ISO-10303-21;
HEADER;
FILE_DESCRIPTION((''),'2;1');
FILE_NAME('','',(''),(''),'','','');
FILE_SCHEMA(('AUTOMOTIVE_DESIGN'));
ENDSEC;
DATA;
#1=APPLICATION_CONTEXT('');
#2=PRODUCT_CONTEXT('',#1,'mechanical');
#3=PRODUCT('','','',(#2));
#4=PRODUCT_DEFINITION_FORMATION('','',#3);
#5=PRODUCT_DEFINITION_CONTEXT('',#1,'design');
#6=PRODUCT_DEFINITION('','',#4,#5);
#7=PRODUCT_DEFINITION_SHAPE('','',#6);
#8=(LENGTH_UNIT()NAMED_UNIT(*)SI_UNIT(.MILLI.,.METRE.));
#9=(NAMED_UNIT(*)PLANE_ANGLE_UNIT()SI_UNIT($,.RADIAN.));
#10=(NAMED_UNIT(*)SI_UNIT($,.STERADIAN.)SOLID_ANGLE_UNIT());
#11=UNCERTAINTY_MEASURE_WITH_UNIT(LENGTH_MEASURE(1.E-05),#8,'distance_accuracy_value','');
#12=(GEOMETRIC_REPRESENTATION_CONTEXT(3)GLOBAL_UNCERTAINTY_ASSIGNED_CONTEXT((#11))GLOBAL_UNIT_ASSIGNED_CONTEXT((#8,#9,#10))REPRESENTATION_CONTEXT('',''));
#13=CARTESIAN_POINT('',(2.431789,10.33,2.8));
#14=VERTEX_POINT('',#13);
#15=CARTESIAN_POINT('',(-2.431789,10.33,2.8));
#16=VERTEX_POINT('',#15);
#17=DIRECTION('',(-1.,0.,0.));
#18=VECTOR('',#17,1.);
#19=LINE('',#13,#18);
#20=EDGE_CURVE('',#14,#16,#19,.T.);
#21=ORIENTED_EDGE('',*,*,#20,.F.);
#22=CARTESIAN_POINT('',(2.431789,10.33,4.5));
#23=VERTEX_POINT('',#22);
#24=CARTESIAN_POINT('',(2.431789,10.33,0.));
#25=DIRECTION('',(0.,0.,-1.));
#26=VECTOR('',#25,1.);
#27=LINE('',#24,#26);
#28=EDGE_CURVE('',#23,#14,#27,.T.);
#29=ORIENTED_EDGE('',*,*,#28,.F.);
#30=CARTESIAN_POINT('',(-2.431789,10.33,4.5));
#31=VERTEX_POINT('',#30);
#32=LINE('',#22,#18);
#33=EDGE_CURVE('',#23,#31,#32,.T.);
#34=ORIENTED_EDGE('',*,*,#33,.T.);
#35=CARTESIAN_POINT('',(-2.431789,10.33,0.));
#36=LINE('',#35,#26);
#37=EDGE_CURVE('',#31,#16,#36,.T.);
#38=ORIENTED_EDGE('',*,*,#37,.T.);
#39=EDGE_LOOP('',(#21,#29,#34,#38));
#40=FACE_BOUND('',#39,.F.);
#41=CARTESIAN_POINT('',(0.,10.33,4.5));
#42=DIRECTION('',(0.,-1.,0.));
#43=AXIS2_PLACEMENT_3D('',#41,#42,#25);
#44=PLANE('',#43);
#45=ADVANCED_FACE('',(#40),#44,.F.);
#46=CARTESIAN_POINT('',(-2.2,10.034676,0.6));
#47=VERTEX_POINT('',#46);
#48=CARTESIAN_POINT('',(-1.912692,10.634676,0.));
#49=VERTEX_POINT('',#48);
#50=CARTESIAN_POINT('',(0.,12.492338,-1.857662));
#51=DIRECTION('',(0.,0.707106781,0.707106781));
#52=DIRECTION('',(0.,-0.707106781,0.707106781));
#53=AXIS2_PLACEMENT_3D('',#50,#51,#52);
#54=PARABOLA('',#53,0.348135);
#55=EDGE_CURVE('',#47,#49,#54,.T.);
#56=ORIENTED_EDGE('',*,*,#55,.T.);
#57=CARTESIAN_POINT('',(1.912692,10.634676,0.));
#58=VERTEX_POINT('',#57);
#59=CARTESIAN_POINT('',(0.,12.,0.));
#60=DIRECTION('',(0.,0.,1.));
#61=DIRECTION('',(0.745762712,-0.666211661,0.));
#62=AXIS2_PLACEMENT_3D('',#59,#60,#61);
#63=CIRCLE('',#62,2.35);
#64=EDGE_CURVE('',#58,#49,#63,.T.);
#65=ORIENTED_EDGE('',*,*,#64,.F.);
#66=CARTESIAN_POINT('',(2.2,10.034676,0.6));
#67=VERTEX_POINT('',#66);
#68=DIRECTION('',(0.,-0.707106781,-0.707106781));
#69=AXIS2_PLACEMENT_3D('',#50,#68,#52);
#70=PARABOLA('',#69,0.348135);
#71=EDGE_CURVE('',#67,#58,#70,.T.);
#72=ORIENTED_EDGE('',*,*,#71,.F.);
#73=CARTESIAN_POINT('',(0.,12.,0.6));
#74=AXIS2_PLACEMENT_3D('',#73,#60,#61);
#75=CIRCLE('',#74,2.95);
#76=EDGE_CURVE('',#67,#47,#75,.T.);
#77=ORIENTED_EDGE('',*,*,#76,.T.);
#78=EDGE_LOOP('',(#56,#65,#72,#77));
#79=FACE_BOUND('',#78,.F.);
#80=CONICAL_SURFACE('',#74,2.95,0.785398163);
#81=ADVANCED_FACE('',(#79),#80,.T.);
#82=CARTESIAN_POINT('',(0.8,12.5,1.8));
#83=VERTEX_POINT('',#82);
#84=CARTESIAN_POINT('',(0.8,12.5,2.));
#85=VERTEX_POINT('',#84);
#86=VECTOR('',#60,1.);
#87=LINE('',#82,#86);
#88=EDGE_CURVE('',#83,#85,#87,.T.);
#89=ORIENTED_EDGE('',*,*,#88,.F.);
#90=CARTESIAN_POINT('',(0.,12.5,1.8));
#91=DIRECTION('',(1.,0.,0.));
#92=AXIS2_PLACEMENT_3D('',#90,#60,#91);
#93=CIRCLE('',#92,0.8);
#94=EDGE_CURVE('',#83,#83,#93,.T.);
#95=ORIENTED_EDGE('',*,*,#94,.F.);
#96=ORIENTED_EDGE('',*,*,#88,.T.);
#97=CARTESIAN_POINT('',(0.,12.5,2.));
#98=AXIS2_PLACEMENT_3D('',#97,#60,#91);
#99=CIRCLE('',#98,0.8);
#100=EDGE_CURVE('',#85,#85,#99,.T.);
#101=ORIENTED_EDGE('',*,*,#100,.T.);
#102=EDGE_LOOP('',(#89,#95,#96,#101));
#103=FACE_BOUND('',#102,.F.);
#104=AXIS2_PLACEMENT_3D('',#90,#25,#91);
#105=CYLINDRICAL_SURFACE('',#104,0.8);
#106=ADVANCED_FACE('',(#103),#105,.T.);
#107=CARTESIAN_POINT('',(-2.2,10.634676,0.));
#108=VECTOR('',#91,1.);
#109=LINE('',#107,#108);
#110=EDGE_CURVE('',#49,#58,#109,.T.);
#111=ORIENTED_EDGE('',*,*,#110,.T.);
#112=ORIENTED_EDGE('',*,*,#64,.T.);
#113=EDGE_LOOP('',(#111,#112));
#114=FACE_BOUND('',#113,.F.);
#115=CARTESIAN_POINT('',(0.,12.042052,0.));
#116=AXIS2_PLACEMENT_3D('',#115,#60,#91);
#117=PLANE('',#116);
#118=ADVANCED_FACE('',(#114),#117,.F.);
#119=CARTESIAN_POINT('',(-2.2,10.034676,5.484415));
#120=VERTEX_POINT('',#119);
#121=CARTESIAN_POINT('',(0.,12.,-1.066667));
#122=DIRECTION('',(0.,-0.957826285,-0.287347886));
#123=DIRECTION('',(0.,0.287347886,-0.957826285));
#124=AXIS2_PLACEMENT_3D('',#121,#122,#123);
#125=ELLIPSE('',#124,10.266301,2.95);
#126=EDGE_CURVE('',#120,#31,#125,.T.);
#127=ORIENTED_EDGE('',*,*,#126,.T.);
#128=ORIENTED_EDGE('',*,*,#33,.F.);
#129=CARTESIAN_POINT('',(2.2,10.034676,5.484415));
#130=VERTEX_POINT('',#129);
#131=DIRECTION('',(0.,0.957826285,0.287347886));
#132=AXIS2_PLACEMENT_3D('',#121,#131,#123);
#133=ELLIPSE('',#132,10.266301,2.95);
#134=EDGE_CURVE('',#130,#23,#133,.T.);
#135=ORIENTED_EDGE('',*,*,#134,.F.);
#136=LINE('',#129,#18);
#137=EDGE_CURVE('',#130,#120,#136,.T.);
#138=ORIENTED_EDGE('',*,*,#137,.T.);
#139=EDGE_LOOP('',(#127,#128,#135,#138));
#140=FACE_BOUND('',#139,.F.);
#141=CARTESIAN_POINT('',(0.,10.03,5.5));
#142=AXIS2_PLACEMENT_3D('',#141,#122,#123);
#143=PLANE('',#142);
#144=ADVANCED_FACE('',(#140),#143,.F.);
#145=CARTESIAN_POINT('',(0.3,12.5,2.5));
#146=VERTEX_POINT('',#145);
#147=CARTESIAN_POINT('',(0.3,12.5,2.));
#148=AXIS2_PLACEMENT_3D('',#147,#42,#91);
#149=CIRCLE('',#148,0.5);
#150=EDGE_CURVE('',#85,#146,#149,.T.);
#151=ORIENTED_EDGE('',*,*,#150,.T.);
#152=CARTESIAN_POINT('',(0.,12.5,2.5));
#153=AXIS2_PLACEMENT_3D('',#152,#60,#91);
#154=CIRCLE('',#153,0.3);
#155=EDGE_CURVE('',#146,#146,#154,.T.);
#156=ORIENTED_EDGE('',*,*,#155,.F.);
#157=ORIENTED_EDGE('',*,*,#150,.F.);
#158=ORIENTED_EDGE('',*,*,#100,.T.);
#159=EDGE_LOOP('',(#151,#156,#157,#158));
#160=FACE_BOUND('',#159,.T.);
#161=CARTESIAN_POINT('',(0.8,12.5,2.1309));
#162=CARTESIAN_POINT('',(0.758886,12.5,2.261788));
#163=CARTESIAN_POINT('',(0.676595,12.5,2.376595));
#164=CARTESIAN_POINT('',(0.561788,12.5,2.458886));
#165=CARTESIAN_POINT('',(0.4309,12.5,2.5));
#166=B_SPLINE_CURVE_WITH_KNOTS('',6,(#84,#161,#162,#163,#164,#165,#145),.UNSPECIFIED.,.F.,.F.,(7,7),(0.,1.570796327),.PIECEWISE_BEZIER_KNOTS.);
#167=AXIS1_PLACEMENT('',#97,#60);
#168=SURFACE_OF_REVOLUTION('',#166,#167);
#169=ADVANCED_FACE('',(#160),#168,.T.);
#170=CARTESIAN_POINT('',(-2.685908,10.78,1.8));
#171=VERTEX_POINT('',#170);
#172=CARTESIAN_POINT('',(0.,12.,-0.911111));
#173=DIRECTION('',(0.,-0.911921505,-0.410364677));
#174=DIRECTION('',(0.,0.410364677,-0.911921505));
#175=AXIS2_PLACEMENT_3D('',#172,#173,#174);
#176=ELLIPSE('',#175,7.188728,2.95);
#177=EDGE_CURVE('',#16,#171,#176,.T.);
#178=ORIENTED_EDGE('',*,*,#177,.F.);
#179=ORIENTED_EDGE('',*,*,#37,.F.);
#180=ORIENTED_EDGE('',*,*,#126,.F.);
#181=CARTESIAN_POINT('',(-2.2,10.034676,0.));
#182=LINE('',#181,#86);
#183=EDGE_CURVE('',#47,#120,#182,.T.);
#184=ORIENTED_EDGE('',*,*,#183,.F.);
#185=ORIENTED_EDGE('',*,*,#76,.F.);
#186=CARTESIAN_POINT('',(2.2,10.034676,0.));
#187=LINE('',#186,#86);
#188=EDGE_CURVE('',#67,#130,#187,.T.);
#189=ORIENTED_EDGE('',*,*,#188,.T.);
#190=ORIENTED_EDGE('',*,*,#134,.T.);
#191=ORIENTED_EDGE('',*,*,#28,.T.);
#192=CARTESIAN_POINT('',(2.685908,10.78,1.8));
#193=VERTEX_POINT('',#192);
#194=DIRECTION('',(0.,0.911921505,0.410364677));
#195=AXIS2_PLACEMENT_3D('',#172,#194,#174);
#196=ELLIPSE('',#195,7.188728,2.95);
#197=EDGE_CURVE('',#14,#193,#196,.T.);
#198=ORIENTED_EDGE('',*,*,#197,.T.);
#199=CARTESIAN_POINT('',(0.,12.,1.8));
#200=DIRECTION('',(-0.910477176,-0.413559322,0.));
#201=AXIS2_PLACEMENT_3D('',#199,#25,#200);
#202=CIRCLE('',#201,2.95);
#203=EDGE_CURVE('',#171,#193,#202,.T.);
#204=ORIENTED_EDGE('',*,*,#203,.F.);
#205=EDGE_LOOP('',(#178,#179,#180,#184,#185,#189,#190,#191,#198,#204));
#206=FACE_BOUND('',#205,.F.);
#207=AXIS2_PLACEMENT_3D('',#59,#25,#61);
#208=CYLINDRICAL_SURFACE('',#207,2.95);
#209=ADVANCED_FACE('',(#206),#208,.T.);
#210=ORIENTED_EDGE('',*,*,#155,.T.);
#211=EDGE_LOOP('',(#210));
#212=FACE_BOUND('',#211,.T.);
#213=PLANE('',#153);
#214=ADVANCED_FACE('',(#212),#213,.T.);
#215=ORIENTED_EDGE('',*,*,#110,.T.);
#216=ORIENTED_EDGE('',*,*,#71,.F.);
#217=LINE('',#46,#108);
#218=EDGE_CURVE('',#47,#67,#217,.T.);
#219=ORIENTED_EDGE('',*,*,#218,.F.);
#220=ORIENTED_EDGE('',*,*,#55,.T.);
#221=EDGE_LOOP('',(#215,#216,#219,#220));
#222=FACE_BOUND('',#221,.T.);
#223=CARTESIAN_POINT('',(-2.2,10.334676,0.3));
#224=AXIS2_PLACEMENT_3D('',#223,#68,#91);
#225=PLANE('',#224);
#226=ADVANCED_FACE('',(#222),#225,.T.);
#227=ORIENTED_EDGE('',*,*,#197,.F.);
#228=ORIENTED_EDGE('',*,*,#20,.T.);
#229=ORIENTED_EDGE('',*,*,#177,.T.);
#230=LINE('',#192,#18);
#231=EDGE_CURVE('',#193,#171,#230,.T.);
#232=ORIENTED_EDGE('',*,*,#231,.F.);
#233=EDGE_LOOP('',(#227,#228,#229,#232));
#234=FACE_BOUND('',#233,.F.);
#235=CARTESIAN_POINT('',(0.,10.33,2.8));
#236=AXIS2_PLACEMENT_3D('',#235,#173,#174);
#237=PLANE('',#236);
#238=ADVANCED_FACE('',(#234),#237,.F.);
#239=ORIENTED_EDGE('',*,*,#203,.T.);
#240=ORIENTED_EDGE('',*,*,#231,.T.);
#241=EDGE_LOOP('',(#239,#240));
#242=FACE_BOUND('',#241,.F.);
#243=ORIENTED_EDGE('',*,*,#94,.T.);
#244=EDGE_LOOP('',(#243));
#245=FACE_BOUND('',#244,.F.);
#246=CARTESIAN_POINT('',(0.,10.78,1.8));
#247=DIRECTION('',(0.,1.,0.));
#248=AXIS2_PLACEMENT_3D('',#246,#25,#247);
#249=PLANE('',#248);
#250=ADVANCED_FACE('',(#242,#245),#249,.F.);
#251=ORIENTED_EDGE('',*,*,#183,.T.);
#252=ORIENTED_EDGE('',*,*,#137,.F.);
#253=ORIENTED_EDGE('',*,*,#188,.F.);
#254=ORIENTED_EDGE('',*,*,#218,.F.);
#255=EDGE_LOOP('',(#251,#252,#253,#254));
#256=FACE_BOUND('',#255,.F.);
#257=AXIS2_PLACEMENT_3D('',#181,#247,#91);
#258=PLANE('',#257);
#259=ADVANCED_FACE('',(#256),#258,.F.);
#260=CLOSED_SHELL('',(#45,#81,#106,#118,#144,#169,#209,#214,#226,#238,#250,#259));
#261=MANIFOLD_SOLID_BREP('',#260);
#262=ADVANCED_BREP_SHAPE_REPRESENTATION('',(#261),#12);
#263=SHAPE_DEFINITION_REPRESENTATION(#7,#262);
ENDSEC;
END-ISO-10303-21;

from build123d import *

# Parameters (mm, degrees)
PAD003_DEPTH         = 5.5
POCKET004_DEPTH      = 2.951
POCKET004_DEPTH_BACK = 2.951
SKETCH013_R          = 0.8
PAD006_DEPTH         = 0.7
FILLET_R             = 0.5
CHAMFER004_SIZE      = 0.6


with BuildPart() as part:
    # Sketch004 → Pad003 (new body)
    with BuildSketch(Plane.XY):
        with BuildLine():
            ThreePointArc((2.2, -1.9653244007), (0, 2.95), (-2.2, -1.9653244007))
            Line((-2.2, -1.9653244007), (2.2, -1.9653244007))
        make_face()
    extrude(amount=PAD003_DEPTH)

    # Sketch014 → Pocket004 (cut, two sides)
    with BuildSketch(Plane.YZ) as pocket004_sk:
        Polygon((-1.97, 5.5), (-1.67, 4.5), (-1.67, 2.8), (-1.22, 1.8), (4, 1.8), (4, 5.5), align=None)
    extrude(amount=-POCKET004_DEPTH, mode=Mode.SUBTRACT)
    extrude(pocket004_sk.sketch, amount=POCKET004_DEPTH_BACK, mode=Mode.SUBTRACT)

    # Sketch013 (on Face7 of Pocket004) → Pad006 (join)
    with BuildSketch(Plane.XY.offset(1.8)):
        with Locations((0, 0.5)):
            Circle(SKETCH013_R)
    extrude(amount=PAD006_DEPTH)

    # Fillet
    fillet_edges = [part.edges().sort_by_distance(p)[0] for p in [
        (-0.8, 0.5, 2.5),
    ]]
    fillet(fillet_edges, radius=FILLET_R)

    # Chamfer004
    chamfer004_edges = [part.edges().sort_by_distance(p)[0] for p in [
        (0, 2.95, 0),
        (0, -1.965324, 0),
    ]]
    chamfer(chamfer004_edges, length=CHAMFER004_SIZE)


with BuildPart() as part_1:
    # Body021 placement: moved
    add(part.part.moved(Location((0, 12, 0))))


solid = part_1.part
